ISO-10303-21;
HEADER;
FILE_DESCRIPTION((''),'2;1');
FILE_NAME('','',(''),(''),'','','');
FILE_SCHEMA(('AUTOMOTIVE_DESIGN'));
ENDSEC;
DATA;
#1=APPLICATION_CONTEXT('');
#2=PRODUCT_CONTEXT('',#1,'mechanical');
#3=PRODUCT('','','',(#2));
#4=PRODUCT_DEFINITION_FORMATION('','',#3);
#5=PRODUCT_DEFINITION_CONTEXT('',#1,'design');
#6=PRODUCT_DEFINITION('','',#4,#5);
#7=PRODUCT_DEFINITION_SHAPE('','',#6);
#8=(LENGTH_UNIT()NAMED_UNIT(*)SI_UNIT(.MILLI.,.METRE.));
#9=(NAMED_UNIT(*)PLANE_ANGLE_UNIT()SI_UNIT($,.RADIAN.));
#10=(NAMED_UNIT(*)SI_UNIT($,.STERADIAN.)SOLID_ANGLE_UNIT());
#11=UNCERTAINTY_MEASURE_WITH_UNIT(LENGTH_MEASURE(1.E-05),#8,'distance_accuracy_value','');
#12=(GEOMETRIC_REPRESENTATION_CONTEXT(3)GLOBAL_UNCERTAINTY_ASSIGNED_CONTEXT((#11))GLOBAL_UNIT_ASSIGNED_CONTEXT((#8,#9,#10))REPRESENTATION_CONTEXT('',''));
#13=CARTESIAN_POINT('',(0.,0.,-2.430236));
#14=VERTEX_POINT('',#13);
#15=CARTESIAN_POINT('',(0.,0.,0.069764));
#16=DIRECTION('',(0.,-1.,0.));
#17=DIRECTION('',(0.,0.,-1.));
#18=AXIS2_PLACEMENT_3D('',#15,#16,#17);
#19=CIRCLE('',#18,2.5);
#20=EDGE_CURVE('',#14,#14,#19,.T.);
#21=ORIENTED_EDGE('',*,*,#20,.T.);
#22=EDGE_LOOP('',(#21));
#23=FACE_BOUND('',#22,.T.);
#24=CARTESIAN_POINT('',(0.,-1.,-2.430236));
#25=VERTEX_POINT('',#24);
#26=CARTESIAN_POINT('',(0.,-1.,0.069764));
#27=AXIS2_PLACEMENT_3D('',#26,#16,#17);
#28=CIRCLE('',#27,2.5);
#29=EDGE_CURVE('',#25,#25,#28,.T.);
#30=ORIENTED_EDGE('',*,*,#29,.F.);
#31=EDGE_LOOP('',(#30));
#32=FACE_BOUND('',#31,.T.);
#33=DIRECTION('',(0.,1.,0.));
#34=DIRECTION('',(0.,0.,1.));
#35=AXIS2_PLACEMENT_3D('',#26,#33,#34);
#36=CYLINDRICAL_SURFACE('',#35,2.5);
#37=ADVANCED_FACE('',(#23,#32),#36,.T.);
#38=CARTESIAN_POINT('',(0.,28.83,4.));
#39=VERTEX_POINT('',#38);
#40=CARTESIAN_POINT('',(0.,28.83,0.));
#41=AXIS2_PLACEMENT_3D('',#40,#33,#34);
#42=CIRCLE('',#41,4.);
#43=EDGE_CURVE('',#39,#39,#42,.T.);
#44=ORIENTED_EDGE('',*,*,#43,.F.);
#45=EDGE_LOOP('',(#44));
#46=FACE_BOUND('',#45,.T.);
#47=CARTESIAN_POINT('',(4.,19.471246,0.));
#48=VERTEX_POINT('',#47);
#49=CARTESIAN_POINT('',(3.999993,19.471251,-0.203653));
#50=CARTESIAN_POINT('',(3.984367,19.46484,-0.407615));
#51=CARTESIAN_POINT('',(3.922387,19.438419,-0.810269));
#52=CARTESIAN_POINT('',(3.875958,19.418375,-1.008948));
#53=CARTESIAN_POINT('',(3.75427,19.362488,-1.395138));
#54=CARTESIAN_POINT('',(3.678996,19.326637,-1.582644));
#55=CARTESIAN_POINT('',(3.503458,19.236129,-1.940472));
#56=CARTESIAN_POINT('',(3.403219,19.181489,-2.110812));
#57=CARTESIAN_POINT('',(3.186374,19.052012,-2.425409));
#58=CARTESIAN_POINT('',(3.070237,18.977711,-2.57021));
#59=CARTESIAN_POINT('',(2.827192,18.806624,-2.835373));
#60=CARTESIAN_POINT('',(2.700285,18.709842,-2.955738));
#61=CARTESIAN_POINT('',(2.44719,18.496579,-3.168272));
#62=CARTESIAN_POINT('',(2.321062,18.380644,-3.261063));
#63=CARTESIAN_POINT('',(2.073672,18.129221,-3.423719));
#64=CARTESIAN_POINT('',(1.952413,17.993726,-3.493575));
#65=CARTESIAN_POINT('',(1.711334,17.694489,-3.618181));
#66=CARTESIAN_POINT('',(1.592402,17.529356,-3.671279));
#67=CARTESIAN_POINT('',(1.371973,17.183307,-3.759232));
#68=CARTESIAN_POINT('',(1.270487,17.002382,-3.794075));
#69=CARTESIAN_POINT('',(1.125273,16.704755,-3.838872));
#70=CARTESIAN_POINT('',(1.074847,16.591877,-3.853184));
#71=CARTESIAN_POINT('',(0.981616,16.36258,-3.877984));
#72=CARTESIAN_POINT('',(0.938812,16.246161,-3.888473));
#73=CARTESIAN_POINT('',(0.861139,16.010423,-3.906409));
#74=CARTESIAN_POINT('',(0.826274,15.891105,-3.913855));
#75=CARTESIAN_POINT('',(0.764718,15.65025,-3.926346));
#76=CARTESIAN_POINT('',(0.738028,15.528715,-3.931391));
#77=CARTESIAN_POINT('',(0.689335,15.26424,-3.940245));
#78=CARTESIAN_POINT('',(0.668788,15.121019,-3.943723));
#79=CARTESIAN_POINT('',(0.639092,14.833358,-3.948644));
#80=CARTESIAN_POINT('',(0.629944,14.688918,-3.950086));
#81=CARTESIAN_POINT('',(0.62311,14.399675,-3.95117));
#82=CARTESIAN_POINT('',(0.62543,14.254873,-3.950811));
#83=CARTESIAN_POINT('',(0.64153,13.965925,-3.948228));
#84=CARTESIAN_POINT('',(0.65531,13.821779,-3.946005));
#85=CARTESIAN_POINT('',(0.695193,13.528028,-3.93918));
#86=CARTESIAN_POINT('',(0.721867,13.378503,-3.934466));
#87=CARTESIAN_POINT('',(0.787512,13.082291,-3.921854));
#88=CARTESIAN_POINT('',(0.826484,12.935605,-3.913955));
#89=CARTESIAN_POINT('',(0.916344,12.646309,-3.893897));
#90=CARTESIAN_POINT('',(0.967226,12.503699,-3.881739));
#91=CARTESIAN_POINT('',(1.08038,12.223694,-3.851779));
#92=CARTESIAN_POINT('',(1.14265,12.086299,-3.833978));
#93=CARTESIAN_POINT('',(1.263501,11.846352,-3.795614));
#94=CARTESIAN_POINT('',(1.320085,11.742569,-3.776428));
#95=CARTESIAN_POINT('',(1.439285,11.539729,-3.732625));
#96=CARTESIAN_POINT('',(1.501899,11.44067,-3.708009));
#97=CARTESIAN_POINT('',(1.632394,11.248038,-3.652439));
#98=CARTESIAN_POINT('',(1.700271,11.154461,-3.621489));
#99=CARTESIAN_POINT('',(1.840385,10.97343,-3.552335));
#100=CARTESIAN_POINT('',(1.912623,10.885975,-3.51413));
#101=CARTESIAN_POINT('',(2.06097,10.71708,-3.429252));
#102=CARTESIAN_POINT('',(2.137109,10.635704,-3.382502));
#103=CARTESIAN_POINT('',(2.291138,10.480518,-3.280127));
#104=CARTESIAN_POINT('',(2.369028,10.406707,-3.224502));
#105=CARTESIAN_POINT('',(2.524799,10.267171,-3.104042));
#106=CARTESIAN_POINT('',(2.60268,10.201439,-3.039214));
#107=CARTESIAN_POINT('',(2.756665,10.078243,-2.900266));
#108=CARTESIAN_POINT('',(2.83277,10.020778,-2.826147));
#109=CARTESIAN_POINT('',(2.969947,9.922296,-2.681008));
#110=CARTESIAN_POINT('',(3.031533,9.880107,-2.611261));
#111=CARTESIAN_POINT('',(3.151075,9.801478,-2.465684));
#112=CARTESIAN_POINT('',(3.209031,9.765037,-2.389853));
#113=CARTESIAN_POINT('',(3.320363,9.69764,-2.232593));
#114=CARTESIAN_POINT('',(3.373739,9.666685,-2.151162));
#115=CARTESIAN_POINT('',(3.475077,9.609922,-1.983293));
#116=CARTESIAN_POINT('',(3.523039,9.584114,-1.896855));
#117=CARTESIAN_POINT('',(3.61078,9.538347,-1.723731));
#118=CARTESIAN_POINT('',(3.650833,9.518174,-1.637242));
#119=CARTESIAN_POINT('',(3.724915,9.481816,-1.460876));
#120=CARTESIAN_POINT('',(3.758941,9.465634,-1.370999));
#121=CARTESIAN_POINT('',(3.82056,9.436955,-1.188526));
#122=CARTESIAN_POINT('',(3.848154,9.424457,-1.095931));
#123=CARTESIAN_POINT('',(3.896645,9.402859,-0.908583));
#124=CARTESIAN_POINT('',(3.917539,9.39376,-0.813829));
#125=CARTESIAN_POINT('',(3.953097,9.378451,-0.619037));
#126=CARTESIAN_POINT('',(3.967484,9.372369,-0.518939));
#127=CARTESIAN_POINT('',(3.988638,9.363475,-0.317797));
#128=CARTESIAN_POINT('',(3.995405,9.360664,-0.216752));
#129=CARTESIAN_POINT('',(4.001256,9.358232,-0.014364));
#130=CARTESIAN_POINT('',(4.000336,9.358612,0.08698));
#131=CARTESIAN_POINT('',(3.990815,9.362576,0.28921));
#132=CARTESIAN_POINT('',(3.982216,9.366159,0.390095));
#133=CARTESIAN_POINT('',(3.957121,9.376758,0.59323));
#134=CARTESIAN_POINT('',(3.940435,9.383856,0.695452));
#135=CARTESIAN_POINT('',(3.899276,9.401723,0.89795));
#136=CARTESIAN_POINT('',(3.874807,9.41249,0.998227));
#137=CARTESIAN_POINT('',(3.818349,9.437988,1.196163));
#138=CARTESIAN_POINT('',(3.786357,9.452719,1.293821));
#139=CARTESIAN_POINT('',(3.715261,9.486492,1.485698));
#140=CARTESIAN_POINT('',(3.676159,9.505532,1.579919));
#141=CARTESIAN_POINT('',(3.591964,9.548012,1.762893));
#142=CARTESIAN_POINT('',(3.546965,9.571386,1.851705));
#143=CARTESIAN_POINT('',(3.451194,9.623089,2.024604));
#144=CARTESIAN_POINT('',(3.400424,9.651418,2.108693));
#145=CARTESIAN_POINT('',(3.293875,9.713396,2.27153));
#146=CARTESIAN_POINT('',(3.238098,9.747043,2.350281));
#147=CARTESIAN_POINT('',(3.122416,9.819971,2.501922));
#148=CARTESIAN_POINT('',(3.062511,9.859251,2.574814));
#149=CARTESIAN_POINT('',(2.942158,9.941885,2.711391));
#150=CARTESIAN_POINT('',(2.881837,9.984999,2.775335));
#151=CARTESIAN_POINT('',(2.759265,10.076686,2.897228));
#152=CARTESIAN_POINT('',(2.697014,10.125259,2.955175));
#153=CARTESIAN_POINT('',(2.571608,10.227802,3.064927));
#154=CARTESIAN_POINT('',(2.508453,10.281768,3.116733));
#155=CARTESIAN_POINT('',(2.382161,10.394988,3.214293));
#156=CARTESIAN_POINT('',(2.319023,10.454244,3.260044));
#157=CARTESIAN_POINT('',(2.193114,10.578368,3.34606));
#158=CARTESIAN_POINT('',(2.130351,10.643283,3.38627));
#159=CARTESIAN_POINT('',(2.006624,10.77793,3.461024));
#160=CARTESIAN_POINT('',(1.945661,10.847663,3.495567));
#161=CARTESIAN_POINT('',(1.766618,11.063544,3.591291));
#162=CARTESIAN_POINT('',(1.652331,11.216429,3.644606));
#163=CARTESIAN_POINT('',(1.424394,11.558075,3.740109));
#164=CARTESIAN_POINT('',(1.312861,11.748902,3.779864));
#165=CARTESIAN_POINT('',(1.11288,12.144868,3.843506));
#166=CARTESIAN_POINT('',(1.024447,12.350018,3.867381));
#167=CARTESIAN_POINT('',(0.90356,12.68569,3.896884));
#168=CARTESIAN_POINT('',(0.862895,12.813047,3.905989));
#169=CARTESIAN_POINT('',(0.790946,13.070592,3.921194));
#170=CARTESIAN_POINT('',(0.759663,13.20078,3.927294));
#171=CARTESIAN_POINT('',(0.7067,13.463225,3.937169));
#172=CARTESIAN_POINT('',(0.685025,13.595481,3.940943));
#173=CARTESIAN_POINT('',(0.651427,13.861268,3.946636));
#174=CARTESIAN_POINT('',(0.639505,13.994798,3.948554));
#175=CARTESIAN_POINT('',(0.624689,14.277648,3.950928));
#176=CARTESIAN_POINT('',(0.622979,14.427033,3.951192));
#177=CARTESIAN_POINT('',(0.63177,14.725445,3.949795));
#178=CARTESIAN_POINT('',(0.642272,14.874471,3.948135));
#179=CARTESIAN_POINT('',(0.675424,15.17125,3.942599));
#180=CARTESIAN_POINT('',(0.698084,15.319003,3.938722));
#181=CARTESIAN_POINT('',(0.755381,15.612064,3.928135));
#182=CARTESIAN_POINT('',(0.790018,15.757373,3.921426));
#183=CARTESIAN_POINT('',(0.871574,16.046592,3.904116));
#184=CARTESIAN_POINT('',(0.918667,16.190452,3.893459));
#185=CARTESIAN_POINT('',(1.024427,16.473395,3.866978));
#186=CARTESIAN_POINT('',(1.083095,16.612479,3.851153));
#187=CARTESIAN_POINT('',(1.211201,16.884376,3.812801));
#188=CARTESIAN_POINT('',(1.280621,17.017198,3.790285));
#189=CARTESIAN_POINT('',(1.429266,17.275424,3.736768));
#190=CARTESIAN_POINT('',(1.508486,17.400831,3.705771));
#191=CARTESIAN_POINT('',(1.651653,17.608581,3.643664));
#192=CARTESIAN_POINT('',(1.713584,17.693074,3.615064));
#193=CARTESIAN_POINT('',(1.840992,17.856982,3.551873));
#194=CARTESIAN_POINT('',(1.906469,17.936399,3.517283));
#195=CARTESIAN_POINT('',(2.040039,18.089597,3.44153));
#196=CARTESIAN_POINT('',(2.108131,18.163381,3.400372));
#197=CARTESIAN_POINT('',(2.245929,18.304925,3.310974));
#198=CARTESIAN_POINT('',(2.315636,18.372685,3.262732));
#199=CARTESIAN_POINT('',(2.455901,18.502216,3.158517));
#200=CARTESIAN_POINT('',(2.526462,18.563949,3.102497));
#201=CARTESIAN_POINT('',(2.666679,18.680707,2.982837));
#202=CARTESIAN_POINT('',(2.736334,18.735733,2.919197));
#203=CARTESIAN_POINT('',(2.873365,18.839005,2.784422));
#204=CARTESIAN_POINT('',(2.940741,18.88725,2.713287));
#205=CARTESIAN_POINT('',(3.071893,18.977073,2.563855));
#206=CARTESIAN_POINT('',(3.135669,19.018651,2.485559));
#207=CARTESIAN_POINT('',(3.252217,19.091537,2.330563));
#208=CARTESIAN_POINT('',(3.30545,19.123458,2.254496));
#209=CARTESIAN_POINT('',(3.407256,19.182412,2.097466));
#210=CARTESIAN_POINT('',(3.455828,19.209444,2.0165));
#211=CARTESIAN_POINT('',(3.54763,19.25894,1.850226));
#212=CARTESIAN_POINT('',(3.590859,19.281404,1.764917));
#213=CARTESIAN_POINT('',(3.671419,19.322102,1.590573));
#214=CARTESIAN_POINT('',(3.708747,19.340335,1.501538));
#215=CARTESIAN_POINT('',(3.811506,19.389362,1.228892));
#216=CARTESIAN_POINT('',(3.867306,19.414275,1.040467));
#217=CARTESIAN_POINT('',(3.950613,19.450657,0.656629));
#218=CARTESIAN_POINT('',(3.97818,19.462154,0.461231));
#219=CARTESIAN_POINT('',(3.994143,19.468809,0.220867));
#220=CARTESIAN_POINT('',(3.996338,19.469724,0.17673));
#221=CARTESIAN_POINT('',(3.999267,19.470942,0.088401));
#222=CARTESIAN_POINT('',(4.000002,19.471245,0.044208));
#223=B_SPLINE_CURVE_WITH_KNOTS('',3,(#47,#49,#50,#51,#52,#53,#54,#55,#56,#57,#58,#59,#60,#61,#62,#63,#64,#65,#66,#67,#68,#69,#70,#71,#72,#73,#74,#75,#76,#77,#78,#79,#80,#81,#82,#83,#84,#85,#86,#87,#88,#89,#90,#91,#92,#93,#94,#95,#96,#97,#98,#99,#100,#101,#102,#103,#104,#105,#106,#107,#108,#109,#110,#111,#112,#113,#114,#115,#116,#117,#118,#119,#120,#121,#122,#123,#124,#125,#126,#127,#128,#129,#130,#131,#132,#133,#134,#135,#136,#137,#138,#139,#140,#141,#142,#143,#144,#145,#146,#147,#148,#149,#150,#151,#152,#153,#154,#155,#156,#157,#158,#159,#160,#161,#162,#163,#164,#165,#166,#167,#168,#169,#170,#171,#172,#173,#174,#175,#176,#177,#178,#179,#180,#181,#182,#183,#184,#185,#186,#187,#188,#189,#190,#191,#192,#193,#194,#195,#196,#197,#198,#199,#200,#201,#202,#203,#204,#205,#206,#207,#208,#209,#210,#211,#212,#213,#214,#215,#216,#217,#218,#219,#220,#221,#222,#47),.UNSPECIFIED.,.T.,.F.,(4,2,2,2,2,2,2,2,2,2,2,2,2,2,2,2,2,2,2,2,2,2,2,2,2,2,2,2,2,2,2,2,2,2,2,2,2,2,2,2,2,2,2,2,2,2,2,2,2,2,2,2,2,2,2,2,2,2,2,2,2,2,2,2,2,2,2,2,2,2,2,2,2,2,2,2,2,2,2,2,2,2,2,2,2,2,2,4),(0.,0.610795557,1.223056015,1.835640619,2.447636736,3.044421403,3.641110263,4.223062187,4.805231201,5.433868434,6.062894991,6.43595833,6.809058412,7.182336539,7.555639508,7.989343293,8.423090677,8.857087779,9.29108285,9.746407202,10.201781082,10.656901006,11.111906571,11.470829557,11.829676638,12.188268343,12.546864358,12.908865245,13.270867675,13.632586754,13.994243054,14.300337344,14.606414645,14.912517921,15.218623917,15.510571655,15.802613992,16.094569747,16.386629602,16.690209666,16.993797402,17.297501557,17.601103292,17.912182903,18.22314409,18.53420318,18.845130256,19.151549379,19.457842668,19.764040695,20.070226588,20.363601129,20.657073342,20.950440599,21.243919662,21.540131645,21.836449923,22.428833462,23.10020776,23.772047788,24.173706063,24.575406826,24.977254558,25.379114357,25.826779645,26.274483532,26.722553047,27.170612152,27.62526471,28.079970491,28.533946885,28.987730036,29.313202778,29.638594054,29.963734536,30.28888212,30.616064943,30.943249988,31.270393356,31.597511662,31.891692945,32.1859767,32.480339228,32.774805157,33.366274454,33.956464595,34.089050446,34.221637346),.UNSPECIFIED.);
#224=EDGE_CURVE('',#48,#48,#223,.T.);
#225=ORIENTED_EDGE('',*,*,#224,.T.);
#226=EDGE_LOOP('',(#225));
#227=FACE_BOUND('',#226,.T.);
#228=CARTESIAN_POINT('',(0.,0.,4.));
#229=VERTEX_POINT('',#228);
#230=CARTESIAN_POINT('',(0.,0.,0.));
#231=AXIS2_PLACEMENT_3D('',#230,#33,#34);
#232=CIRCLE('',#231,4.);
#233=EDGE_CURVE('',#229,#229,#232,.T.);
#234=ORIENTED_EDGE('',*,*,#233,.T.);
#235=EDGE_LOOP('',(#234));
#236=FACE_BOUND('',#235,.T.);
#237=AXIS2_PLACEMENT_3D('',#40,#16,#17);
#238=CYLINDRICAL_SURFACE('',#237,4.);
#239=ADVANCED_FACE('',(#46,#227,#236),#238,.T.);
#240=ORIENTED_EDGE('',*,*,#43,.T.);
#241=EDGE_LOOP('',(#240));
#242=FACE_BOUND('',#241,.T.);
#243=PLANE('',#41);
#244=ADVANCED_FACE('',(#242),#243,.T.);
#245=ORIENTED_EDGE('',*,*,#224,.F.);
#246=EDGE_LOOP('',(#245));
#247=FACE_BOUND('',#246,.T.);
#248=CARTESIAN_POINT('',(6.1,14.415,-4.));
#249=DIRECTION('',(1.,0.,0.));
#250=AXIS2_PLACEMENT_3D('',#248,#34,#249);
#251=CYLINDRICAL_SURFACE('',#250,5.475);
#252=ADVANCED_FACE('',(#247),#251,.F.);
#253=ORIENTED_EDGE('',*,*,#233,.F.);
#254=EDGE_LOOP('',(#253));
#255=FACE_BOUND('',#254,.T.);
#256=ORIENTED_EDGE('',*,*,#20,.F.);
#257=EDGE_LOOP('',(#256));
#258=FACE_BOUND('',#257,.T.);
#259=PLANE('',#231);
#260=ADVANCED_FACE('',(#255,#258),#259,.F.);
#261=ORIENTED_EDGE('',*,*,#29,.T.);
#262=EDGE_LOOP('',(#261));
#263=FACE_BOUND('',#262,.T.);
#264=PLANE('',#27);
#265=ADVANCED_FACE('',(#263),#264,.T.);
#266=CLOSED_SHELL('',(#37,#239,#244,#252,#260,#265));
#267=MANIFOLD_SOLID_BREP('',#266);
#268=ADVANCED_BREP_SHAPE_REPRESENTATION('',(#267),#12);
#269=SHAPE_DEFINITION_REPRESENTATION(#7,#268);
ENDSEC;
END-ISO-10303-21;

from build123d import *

# Parameters (mm, degrees)
SKETCH1_R               = 4
BOSS_EXTRUDE1_DEPTH     = 28.83
SKETCH2_R               = 5.475
CUT_EXTRUDE1_DEPTH      = 5
CUT_EXTRUDE1_DEPTH_BACK = 5
SKETCH3_R               = 2.5
BOSS_EXTRUDE2_DEPTH     = 1


with BuildPart() as part:
    # Sketch1 → Boss-Extrude1 (new body)
    with BuildSketch(Plane(origin=(0, 0, 0), x_dir=(1, 0, 0), z_dir=(0, 1, 0))):
        Circle(SKETCH1_R)
    extrude(amount=BOSS_EXTRUDE1_DEPTH)

    # Sketch2 → Cut-Extrude1 (cut, two sides)
    with BuildSketch(Plane.XY) as cut_extrude1_sk:
        with Locations((6.1, 14.415)):
            Circle(SKETCH2_R)
    extrude(amount=CUT_EXTRUDE1_DEPTH, mode=Mode.SUBTRACT)
    extrude(cut_extrude1_sk.sketch, amount=-CUT_EXTRUDE1_DEPTH_BACK, mode=Mode.SUBTRACT)

    # Sketch3 → Boss-Extrude2 (add)
    with BuildSketch(Plane.XZ):
        with Locations((0, 0.069764056)):
            Circle(SKETCH3_R)
    extrude(amount=BOSS_EXTRUDE2_DEPTH)


solid = part.part
